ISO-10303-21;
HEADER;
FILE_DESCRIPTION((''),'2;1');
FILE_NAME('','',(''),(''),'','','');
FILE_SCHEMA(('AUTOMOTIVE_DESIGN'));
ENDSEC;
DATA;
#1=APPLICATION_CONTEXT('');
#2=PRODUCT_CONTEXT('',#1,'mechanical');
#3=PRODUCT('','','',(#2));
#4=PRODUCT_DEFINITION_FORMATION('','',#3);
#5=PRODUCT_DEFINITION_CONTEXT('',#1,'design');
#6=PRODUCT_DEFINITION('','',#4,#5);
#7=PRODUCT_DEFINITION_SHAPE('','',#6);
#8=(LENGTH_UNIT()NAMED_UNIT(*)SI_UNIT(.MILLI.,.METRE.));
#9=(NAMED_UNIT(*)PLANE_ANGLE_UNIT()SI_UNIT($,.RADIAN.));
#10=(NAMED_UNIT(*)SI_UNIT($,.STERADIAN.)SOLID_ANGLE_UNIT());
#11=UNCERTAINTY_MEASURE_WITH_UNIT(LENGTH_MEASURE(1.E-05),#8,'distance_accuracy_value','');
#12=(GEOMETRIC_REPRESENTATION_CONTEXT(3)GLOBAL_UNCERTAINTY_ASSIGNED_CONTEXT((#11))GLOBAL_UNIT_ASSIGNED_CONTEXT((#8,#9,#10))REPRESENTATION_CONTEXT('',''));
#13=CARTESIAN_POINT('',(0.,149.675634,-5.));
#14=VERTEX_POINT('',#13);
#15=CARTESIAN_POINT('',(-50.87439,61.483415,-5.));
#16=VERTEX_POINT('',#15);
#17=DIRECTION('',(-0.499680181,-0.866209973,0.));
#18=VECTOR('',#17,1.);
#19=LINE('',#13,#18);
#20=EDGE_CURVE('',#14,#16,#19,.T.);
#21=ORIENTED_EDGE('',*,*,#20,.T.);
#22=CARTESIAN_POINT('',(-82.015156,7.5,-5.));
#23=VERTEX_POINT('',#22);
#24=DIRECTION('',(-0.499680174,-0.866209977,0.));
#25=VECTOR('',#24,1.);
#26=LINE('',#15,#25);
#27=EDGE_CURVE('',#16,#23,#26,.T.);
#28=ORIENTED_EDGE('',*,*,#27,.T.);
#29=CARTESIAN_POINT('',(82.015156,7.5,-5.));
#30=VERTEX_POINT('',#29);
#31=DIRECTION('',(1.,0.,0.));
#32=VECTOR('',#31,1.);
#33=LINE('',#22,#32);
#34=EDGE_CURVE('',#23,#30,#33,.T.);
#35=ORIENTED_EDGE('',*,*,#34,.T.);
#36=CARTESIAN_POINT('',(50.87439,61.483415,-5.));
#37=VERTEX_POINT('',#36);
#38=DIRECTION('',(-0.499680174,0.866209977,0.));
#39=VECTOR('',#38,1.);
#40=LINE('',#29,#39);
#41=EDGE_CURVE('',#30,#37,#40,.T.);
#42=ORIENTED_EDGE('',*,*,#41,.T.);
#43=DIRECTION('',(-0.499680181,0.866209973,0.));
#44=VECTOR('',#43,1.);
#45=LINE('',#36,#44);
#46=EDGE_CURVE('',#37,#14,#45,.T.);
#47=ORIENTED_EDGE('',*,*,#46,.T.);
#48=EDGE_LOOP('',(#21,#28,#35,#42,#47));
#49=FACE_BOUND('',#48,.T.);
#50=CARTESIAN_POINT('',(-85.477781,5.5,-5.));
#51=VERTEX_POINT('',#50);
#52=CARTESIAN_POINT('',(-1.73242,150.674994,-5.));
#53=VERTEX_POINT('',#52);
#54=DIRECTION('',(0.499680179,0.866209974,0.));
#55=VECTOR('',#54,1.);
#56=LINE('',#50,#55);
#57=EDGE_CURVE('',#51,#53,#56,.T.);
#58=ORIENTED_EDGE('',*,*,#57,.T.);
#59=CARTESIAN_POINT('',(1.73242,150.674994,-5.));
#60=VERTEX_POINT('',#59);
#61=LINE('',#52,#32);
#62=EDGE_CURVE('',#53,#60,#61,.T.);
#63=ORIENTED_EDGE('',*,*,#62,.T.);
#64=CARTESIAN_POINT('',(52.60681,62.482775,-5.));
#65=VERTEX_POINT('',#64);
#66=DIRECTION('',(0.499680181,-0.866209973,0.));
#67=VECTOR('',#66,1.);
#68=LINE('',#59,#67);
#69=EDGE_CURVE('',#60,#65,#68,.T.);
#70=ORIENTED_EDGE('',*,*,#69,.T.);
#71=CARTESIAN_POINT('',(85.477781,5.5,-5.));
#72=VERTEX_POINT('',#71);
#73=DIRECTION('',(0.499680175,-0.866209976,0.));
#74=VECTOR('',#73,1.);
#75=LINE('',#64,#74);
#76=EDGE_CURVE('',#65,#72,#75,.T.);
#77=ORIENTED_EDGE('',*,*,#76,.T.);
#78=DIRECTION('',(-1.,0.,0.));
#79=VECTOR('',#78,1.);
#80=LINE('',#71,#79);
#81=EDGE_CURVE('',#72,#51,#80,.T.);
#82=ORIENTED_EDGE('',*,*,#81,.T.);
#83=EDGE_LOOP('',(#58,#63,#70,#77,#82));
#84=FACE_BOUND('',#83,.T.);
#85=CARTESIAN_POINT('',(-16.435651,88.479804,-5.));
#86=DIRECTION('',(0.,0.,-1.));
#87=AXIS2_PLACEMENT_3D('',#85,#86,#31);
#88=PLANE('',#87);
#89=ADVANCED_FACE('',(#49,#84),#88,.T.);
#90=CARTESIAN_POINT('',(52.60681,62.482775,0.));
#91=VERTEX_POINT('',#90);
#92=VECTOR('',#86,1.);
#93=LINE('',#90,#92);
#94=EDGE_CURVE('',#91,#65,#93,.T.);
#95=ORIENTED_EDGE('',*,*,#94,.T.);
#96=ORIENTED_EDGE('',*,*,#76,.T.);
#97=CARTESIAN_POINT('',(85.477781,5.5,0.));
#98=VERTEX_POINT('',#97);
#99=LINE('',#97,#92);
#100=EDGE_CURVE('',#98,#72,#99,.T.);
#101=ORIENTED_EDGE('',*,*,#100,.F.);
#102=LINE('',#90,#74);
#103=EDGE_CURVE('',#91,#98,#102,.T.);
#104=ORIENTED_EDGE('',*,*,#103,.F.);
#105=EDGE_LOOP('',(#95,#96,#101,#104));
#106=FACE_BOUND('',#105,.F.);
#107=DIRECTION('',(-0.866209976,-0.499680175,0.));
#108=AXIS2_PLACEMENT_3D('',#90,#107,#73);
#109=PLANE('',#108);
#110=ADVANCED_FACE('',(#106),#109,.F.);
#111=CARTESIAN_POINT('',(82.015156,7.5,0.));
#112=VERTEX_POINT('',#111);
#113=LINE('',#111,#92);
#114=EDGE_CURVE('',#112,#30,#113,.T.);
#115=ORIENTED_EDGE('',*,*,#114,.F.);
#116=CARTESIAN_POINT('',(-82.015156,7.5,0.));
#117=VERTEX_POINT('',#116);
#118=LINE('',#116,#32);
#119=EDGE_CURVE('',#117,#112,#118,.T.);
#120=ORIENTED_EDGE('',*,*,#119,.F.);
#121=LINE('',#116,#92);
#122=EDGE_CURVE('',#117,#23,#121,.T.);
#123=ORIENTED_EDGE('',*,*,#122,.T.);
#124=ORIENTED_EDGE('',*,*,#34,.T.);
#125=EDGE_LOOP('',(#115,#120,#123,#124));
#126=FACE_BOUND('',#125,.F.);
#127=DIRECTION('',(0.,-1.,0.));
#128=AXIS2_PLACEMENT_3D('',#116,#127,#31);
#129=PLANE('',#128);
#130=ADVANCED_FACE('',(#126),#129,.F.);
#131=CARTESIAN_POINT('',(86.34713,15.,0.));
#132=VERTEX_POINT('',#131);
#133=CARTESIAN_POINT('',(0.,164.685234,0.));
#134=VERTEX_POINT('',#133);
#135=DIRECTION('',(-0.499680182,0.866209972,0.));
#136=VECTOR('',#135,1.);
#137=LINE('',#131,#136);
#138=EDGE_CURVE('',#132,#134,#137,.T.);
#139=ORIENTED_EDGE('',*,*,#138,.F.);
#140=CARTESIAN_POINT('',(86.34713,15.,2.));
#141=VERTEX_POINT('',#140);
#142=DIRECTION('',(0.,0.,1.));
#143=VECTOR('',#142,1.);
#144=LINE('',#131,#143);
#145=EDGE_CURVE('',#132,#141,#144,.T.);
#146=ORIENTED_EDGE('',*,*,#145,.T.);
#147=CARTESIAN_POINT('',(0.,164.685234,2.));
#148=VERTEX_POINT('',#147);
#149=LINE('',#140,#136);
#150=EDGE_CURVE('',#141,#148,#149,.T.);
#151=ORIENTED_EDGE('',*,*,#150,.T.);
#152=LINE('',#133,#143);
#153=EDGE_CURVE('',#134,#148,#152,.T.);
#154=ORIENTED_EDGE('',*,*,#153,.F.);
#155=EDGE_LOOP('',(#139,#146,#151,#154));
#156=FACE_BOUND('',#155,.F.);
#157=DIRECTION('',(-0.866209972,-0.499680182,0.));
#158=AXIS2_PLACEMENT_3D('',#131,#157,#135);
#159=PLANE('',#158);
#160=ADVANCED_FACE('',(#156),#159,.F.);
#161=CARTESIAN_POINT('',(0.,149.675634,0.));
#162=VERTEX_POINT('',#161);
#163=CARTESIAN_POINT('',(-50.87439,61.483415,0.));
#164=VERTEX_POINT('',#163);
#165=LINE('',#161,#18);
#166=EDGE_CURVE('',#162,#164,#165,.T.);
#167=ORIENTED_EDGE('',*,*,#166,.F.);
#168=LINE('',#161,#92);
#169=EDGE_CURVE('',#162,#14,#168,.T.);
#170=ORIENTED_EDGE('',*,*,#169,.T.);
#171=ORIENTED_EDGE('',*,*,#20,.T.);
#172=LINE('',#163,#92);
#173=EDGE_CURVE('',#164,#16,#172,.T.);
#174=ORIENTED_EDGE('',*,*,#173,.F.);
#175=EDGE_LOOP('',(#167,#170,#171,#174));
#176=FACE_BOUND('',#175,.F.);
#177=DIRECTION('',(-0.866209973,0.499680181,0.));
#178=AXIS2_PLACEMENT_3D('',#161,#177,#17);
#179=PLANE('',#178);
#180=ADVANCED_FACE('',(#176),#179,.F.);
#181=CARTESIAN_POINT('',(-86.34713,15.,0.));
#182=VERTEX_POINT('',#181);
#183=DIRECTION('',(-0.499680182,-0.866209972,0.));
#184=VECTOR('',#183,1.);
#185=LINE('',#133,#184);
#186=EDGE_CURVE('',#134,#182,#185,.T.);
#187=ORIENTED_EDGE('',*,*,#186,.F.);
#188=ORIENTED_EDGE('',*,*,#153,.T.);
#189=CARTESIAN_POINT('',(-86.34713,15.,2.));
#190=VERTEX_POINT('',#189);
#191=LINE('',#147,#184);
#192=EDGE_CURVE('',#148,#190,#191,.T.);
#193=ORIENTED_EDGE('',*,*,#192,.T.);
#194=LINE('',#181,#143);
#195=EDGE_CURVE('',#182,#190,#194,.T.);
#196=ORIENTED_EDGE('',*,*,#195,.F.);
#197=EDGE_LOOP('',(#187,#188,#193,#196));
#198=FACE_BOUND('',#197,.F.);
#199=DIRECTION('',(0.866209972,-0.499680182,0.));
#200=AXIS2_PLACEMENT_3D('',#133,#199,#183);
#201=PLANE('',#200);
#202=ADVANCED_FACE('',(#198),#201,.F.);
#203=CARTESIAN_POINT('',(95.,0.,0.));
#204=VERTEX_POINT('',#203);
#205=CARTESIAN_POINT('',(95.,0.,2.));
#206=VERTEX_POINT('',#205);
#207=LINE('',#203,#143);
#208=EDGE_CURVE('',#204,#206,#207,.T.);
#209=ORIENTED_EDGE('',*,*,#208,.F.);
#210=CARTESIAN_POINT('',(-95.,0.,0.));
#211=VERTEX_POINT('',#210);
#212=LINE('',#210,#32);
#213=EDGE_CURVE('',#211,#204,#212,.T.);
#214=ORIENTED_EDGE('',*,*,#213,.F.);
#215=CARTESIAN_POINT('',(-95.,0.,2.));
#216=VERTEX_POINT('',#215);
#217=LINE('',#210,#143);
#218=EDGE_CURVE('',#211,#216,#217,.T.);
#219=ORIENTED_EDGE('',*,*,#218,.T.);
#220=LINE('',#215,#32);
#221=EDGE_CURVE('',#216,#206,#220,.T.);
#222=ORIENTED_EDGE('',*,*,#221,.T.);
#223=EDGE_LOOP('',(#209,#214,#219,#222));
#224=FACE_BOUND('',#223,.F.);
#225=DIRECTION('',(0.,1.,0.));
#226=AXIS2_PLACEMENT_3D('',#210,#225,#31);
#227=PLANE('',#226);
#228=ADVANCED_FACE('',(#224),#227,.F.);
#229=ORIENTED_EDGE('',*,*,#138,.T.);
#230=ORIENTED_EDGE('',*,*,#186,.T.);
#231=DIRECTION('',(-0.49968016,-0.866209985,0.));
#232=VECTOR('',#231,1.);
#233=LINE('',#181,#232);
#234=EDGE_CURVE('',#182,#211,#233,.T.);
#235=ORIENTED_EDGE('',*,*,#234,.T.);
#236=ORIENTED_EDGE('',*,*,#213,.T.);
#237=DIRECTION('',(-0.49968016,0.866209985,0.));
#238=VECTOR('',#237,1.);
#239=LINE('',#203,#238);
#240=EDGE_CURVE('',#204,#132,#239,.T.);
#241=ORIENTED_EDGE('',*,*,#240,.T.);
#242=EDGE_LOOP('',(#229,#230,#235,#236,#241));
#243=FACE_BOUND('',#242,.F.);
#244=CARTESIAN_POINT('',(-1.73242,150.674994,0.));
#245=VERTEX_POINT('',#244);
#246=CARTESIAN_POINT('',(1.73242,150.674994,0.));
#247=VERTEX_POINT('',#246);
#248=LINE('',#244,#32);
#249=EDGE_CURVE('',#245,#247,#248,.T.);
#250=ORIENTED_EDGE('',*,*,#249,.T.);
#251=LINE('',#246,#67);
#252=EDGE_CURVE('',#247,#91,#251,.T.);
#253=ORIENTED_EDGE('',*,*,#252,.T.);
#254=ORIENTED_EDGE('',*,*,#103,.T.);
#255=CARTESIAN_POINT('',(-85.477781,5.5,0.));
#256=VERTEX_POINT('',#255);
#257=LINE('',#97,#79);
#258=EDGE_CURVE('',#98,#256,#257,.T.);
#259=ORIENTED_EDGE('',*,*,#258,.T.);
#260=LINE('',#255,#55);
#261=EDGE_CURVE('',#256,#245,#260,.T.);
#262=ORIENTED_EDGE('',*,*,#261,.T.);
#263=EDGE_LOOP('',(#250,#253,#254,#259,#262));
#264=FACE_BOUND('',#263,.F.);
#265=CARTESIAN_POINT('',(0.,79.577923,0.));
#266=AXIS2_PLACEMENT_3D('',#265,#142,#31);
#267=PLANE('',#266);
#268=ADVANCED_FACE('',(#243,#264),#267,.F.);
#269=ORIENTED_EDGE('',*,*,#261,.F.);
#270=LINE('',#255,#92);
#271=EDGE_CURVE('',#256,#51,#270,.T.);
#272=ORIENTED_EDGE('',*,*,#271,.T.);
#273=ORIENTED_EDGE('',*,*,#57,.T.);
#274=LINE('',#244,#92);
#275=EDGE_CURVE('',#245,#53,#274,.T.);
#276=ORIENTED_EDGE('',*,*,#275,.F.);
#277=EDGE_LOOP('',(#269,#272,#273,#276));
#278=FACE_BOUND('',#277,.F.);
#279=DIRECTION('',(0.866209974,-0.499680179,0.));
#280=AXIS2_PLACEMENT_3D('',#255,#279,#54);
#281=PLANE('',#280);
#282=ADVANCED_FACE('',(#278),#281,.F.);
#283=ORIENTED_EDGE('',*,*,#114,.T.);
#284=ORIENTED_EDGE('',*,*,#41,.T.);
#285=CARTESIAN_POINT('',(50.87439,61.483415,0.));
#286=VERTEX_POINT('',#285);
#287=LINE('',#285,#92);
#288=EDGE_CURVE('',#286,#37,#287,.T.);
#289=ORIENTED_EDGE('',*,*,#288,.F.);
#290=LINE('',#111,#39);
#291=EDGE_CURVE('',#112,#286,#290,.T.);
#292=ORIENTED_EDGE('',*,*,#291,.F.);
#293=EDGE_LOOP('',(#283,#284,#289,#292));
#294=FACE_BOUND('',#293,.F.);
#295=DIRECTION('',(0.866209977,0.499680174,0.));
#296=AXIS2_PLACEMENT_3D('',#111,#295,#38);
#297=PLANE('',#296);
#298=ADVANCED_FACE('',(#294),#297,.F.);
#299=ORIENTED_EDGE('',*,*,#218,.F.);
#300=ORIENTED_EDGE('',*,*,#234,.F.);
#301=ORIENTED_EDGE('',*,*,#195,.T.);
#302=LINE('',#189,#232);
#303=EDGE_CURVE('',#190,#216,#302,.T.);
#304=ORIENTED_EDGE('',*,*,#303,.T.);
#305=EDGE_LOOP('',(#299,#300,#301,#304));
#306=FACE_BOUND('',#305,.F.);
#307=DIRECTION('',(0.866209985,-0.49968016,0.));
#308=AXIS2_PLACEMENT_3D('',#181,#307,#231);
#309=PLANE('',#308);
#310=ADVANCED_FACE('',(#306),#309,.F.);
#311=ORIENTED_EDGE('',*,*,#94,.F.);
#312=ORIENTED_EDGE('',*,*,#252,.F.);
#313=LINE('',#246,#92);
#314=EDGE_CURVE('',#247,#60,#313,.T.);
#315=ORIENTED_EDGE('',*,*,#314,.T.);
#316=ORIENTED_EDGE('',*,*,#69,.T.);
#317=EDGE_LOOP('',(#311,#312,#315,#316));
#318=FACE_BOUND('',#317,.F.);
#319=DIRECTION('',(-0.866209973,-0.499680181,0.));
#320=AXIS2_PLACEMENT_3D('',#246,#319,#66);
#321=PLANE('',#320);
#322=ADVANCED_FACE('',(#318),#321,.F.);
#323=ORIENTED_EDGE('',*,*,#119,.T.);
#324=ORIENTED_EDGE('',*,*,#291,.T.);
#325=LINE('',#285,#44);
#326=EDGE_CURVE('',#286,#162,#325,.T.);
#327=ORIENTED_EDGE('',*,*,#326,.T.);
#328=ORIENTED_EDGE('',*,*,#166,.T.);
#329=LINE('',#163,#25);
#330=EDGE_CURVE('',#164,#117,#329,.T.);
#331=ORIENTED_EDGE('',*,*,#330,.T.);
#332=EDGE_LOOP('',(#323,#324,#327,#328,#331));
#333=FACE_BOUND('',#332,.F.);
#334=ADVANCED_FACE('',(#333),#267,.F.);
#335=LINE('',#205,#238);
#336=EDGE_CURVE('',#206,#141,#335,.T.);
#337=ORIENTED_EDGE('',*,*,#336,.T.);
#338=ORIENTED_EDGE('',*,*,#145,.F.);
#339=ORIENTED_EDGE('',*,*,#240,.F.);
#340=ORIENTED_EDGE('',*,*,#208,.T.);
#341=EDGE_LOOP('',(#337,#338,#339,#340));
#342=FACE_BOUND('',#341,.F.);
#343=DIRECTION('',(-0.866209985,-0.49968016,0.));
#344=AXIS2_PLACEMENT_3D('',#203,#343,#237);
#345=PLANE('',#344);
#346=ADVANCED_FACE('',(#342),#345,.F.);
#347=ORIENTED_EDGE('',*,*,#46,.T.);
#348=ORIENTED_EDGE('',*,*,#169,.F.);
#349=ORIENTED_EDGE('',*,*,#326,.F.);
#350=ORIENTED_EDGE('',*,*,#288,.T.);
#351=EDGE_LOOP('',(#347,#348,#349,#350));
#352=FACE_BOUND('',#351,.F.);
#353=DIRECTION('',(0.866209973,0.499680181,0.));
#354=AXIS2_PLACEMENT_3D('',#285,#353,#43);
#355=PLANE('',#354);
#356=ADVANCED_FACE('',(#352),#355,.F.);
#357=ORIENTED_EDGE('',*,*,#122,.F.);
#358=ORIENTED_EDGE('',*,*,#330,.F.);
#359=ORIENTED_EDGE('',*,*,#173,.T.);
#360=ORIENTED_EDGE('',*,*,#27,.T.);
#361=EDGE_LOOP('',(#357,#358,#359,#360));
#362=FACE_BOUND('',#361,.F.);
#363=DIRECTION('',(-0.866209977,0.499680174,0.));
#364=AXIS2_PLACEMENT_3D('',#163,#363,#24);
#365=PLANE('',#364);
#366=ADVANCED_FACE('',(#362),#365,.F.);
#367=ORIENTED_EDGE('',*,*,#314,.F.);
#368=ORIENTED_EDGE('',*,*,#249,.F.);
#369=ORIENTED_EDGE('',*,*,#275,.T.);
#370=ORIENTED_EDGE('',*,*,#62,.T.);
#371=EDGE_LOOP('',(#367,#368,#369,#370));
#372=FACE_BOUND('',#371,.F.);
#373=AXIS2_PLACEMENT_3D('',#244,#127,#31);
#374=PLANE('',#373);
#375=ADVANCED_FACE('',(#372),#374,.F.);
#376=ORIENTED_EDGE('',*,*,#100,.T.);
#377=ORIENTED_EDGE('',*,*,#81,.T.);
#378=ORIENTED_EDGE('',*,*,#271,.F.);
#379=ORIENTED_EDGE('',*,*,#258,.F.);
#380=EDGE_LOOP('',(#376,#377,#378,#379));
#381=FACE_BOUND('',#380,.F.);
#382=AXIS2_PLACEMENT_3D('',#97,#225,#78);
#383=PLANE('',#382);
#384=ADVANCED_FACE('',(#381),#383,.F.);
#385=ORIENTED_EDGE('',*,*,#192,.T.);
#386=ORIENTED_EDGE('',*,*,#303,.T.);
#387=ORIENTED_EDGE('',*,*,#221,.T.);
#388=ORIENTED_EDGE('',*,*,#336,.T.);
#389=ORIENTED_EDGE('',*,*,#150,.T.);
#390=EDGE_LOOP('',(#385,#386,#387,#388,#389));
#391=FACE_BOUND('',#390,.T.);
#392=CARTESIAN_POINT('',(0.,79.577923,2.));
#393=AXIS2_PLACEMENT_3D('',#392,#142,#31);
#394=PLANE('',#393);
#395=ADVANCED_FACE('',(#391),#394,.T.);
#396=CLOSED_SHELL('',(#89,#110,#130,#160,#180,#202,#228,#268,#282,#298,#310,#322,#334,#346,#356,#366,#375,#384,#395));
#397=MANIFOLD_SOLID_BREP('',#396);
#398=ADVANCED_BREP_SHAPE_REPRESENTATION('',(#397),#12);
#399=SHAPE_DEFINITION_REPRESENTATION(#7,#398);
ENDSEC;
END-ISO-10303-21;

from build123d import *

# Parameters (mm, degrees)
F1_DEPTH = 2
F3_DEPTH = 5


with BuildPart() as f1:
    # F0 (on Top) → F1 (new body)
    with BuildSketch(Plane.XY):
        Polygon((0, 164.685234), (-86.34713, 15), (-69.030312, 15), (-37.203411, 70.172849), (0, 134.666033), (37.203411, 70.172849), (69.030312, 15), (86.34713, 15), align=None)
        Polygon((-89.227728, 0), (0, 0), (89.227728, 0), (86.343437, 5), (92.11571, 5), (86.34713, 15), (69.030312, 15), (0, 15), (-69.030312, 15), (-86.34713, 15), (-95, 0), align=None)
        Polygon((86.343437, 5), (89.227728, 0), (95, 0), (92.11571, 5), align=None)
        Polygon((-37.203411, 70.172849), (-69.030312, 15), (0, 15), (69.030312, 15), (37.203411, 70.172849), (0, 134.666033), align=None)
    extrude(amount=F1_DEPTH)

    # F2 (on face) → F3 (join)
    with BuildSketch(Plane(origin=(0, 0, 0), x_dir=(1, 0, 0), z_dir=(0, 0, -1))):
        Polygon((1.73242, -150.674994), (52.60681, -62.482775), (50.87439, -61.483415), (0, -149.675634), (-50.87439, -61.483415), (-82.015156, -7.5), (-83.168872, -5.5), (-85.477781, -5.5), (-1.73242, -150.674994), align=None)
        Polygon((0, -7.5), (82.015156, -7.5), (83.168872, -5.5), (-12.322525, -5.5), (-83.168872, -5.5), (-82.015156, -7.5), align=None)
        Polygon((50.87439, -61.483415), (52.60681, -62.482775), (85.477781, -5.5), (83.168872, -5.5), (82.015156, -7.5), align=None)
    extrude(amount=F3_DEPTH)


solid = f1.part
